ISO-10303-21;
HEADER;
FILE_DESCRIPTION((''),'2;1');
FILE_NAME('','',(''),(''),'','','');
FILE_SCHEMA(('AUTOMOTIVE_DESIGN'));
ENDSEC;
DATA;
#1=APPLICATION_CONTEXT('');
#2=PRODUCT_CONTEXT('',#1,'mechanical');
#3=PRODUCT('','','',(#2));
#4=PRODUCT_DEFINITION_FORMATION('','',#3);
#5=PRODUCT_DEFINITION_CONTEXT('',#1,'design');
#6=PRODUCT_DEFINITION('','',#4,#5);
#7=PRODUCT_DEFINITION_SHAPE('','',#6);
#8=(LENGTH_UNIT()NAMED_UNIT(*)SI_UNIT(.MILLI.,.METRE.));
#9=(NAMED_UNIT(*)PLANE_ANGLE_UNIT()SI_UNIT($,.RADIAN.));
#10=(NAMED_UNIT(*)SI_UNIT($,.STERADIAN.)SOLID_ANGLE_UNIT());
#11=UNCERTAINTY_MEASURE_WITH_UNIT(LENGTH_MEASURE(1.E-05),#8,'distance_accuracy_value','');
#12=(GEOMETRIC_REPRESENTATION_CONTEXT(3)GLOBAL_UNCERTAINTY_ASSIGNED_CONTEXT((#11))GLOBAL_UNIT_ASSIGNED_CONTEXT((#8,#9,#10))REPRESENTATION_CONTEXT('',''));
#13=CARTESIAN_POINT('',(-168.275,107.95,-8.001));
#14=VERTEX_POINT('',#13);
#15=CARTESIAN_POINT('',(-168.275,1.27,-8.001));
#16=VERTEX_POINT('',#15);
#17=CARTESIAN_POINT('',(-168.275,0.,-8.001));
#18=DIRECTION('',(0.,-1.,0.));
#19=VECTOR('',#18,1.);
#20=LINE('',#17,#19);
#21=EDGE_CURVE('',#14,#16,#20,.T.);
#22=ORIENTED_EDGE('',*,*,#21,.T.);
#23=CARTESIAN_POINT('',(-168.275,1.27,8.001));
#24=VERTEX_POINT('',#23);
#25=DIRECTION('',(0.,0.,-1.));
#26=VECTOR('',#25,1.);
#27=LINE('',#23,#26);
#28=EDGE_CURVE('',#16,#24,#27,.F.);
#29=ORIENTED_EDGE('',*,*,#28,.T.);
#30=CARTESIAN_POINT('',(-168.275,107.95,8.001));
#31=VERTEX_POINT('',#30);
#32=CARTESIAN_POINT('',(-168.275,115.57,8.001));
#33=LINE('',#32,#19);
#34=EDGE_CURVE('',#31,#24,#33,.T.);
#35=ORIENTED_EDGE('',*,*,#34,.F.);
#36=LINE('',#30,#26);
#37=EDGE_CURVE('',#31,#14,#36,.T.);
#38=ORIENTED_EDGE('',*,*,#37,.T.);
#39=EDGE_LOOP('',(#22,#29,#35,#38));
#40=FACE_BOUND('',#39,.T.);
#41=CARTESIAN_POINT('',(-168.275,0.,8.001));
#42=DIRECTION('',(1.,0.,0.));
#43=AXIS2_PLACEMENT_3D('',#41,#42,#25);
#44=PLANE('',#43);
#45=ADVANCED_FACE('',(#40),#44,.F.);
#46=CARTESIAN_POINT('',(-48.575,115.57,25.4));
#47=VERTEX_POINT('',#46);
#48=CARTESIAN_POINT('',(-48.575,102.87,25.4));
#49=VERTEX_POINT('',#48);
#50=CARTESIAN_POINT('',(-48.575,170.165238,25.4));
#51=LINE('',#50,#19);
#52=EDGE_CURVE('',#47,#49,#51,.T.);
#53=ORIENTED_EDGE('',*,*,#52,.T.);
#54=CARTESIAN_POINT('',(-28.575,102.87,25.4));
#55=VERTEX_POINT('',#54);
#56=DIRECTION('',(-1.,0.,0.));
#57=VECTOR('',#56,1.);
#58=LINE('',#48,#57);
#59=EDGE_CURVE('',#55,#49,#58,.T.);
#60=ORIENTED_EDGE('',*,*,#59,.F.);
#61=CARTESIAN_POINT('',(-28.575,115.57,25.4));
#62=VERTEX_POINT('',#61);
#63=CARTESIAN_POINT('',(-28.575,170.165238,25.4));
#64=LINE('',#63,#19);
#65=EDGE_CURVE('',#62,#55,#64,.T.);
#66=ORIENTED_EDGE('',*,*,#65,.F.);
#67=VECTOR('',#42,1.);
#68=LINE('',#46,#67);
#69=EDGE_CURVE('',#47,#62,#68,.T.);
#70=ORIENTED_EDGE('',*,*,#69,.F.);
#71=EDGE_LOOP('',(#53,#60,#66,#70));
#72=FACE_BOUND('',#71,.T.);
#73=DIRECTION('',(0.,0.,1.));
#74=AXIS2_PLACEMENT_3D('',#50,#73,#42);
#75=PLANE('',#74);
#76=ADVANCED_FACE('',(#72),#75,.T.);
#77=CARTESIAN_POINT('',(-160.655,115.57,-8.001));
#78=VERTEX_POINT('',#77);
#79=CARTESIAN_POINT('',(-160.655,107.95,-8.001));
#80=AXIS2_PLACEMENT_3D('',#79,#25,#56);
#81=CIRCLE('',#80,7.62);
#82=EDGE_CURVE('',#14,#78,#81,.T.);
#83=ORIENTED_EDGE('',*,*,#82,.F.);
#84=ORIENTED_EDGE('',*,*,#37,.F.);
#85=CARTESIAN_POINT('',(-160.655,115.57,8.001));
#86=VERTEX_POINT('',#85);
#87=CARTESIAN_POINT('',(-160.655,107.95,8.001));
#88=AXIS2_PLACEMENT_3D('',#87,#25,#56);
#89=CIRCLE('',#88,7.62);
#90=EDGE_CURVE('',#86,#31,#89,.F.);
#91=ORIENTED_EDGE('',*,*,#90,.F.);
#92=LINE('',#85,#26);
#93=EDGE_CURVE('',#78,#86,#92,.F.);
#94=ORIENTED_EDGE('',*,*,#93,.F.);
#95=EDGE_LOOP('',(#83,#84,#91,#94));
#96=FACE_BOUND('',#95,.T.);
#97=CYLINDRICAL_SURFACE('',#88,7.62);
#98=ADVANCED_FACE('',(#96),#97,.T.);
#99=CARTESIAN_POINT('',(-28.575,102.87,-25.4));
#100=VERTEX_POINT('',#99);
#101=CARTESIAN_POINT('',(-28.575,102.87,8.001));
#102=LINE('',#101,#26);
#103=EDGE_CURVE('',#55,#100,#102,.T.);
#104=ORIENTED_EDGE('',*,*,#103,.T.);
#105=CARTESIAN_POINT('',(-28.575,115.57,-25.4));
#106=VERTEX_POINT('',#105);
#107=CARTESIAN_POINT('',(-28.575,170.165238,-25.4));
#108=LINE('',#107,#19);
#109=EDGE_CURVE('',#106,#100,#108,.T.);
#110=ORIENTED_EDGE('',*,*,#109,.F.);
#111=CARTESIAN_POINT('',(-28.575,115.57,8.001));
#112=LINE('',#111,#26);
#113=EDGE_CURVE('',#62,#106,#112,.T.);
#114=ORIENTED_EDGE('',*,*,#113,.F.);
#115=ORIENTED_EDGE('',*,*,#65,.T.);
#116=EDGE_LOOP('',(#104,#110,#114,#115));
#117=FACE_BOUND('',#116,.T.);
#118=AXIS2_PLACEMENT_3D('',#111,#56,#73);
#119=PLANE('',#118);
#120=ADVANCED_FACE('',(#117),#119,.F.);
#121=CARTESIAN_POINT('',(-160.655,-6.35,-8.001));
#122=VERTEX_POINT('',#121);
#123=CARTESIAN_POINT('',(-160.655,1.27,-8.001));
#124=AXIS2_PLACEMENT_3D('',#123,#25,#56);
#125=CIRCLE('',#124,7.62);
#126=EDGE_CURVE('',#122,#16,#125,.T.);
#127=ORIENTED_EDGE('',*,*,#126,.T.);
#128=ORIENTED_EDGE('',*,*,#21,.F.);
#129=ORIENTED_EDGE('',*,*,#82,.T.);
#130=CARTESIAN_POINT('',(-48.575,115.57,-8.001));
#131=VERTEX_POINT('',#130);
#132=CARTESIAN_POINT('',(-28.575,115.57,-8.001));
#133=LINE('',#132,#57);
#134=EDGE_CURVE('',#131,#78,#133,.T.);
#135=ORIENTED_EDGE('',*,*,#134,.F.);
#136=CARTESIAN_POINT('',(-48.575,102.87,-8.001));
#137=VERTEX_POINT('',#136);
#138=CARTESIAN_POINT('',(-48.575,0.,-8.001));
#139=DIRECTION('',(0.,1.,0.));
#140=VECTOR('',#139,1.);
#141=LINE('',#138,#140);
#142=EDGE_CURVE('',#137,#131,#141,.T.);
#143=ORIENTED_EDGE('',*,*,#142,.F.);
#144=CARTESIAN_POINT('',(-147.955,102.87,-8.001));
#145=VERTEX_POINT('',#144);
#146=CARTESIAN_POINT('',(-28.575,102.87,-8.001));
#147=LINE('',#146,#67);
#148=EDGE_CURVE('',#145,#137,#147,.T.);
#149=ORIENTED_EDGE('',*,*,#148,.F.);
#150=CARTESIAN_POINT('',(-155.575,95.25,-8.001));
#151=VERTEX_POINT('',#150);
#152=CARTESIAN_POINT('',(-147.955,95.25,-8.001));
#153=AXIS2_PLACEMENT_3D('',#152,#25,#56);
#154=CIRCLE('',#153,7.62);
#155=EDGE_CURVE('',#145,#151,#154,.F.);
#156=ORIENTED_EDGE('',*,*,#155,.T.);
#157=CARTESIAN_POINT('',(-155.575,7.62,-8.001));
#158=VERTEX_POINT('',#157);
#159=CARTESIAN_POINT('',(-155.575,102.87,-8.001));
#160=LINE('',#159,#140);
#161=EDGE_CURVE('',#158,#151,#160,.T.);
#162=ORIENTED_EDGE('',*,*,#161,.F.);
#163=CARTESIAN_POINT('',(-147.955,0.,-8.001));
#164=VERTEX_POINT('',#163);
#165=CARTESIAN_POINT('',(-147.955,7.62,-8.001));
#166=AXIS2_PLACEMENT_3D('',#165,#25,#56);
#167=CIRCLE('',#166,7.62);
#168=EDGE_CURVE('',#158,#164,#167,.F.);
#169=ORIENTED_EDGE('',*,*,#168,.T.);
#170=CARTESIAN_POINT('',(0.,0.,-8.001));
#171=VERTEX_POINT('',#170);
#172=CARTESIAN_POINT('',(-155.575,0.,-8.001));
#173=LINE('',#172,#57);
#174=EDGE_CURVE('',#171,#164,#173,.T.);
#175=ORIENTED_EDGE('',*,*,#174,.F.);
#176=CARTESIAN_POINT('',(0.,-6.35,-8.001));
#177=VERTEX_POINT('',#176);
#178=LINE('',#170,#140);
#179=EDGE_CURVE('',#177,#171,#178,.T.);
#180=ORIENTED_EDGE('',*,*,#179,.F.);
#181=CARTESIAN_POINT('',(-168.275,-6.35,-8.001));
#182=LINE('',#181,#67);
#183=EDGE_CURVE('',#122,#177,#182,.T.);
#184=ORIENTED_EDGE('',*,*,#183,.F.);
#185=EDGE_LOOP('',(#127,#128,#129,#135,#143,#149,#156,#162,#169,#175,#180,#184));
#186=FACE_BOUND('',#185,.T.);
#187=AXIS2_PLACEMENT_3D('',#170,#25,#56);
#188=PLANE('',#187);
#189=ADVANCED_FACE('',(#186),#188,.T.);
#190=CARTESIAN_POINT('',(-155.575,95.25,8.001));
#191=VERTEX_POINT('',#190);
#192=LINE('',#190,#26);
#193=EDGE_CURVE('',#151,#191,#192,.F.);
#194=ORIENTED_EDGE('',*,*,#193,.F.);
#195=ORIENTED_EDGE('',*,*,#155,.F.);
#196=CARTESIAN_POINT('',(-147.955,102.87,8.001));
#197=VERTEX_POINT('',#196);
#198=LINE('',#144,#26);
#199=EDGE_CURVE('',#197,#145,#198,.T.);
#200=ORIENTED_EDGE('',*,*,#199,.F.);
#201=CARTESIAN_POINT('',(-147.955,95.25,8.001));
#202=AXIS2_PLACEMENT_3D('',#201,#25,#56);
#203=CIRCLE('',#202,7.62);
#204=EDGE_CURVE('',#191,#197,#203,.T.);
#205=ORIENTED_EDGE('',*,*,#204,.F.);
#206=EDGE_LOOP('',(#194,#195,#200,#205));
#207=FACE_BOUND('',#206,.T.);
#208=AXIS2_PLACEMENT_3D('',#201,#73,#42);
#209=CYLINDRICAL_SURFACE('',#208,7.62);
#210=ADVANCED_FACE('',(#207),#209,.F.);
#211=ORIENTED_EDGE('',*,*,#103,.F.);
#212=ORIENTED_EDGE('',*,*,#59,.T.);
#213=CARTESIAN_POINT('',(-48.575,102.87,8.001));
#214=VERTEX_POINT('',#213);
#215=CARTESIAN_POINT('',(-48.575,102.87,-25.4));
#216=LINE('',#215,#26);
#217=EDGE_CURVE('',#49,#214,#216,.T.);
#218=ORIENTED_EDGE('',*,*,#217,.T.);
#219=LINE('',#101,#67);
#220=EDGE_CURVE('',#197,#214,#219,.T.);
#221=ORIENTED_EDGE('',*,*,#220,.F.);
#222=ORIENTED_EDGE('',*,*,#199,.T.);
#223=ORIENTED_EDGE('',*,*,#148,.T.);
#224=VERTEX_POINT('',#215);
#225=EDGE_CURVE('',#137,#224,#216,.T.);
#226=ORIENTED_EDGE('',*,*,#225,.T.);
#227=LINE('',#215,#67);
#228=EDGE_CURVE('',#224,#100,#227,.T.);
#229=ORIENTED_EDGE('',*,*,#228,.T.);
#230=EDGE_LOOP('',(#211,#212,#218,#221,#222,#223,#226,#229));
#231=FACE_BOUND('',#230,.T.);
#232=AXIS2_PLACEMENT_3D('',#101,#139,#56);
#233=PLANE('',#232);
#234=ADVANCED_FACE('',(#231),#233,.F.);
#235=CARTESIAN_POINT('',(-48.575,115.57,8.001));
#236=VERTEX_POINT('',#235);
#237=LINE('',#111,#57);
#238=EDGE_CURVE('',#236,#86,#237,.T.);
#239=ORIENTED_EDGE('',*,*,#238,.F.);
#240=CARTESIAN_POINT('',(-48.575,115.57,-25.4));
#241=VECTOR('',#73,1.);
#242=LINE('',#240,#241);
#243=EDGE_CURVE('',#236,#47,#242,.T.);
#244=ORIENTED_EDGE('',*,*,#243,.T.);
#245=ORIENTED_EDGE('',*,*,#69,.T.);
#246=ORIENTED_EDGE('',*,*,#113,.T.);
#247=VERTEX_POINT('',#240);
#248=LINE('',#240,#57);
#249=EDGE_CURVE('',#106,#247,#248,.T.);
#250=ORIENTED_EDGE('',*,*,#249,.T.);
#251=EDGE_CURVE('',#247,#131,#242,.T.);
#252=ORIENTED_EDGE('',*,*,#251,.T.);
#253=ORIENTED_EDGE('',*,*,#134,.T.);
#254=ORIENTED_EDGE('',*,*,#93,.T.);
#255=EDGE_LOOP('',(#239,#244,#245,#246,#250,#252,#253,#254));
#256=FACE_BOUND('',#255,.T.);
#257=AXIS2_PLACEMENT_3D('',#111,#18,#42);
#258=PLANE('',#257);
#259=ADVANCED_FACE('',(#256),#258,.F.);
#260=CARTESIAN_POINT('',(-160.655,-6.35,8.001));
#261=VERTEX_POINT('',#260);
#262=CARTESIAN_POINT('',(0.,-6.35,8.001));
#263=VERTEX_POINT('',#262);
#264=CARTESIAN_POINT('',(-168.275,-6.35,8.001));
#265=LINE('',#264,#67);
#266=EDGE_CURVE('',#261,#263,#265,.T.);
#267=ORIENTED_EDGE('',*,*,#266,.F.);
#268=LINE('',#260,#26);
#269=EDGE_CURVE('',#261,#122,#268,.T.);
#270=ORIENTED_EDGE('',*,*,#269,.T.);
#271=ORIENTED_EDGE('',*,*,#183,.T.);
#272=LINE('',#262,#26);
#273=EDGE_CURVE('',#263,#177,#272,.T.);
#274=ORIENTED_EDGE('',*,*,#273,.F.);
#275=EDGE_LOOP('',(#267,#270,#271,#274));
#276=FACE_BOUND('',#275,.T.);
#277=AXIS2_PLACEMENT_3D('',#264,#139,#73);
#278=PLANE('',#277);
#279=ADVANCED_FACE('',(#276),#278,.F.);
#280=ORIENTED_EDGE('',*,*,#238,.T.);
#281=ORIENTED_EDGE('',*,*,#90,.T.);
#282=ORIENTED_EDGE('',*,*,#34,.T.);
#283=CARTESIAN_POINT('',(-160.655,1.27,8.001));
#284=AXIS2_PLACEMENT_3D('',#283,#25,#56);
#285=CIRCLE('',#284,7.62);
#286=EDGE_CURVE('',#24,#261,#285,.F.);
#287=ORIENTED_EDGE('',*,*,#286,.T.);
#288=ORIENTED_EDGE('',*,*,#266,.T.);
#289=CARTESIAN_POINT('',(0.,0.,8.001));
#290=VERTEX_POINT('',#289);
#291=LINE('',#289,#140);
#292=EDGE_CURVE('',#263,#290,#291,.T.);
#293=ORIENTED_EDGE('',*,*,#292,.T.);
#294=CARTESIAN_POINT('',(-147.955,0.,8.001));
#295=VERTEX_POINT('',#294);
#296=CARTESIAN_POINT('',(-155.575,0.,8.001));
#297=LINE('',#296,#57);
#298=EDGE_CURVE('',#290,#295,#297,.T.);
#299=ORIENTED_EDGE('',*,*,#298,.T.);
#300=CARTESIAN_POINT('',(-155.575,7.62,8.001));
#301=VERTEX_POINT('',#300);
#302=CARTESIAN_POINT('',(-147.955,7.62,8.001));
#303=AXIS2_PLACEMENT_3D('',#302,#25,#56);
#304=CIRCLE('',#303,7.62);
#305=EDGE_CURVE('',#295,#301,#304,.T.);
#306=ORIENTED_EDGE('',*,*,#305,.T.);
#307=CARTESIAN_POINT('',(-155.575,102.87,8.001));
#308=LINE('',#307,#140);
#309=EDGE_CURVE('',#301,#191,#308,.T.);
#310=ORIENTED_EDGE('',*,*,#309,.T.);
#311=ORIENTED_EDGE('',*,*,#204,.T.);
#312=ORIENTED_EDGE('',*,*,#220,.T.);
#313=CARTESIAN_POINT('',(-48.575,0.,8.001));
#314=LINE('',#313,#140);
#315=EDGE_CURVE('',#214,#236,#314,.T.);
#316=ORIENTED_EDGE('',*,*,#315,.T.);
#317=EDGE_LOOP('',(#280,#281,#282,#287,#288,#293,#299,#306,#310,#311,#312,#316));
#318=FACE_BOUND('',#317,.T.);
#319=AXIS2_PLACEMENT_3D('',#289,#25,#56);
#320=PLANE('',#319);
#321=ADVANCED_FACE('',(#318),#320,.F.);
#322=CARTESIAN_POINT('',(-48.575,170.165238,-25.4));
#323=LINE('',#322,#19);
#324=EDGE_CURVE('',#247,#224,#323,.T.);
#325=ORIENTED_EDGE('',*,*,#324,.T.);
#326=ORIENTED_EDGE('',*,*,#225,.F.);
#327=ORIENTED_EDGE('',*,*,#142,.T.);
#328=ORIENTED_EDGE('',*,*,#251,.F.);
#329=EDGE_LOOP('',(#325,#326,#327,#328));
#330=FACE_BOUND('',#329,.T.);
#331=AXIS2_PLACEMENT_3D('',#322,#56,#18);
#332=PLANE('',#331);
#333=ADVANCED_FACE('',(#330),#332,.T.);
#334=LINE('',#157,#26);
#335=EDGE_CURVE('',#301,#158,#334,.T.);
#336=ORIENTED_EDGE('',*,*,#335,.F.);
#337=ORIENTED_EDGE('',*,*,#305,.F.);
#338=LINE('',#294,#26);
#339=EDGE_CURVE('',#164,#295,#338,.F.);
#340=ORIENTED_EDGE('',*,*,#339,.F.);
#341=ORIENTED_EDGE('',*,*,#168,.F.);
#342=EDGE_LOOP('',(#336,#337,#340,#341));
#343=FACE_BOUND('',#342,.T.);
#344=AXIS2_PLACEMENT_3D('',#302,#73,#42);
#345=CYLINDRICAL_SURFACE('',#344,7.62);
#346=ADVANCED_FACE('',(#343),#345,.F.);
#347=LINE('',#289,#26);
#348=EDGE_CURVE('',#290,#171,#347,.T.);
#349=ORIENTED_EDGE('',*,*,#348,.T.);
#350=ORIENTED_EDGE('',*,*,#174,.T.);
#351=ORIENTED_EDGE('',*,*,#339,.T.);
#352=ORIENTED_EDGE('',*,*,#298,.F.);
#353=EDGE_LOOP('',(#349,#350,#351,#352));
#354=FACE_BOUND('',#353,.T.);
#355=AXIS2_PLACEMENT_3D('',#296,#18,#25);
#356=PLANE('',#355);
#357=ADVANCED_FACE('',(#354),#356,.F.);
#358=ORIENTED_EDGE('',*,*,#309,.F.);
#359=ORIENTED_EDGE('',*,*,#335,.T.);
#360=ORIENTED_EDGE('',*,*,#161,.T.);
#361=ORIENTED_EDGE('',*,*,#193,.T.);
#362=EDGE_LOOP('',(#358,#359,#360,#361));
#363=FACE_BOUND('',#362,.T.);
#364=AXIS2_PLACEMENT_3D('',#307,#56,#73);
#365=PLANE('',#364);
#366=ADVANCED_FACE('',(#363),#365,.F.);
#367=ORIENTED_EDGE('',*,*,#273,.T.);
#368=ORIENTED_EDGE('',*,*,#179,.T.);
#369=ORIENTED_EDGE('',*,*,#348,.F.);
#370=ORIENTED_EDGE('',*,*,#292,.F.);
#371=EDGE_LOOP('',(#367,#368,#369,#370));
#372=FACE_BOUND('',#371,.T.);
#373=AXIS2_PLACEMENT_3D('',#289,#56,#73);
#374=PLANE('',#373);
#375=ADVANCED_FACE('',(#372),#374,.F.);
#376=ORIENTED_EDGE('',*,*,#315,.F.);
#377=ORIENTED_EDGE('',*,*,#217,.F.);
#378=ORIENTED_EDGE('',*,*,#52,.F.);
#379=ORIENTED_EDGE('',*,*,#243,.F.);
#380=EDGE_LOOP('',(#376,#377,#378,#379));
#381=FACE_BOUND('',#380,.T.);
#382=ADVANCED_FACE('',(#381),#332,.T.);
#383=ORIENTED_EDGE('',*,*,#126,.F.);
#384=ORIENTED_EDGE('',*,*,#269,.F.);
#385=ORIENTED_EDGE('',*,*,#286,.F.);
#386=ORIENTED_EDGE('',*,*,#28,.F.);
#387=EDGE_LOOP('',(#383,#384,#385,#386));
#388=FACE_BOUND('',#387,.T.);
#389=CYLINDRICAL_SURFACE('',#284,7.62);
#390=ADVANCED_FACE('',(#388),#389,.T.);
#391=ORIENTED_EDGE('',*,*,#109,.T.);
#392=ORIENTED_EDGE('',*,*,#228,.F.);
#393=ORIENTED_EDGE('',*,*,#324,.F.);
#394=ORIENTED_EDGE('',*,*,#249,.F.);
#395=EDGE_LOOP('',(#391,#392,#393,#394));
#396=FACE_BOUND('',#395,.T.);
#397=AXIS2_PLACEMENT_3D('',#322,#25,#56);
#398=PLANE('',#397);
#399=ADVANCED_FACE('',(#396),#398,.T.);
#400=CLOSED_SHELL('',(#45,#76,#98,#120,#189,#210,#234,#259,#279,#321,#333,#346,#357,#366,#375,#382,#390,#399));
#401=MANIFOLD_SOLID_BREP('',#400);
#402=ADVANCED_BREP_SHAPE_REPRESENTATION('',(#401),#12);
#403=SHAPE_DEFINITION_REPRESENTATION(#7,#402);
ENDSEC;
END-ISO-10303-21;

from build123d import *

# Parameters (mm, degrees)
BOSS_EXTRUDE1_DEPTH = 8.001
SKETCH2_W           = 20
SKETCH2_H           = 50.8
BOSS_EXTRUDE2_DEPTH = 12.7
FILLET1_R           = 7.62


with BuildPart() as part:
    # Sketch1 → Boss-Extrude1 (new body, symmetric)
    with BuildSketch(Plane.XY):
        Polygon((-28.575, 115.57), (-168.275, 115.57), (-168.275, 102.87), (-168.275, 0), (-168.275, -6.35), (0, -6.35), (0, 0), (-155.575, 0), (-155.575, 102.87), (-28.575, 102.87), align=None)
    extrude(amount=BOSS_EXTRUDE1_DEPTH, both=True)

    # Sketch2 → Boss-Extrude2 (add)
    with BuildSketch(Plane.XZ.offset(-102.87)):
        with Locations((-38.575, 0)):
            Rectangle(SKETCH2_W, SKETCH2_H)
    extrude(amount=-BOSS_EXTRUDE2_DEPTH)

    # Fillet1
    fillet1_edges = [part.edges().sort_by_distance(p)[0] for p in [
        (-155.575, 102.87, 0),
        (-155.575, 0, 0),
        (-168.275, -6.35, 0),
        (-168.275, 115.57, 0),
    ]]
    fillet(fillet1_edges, radius=FILLET1_R)


solid = part.part
